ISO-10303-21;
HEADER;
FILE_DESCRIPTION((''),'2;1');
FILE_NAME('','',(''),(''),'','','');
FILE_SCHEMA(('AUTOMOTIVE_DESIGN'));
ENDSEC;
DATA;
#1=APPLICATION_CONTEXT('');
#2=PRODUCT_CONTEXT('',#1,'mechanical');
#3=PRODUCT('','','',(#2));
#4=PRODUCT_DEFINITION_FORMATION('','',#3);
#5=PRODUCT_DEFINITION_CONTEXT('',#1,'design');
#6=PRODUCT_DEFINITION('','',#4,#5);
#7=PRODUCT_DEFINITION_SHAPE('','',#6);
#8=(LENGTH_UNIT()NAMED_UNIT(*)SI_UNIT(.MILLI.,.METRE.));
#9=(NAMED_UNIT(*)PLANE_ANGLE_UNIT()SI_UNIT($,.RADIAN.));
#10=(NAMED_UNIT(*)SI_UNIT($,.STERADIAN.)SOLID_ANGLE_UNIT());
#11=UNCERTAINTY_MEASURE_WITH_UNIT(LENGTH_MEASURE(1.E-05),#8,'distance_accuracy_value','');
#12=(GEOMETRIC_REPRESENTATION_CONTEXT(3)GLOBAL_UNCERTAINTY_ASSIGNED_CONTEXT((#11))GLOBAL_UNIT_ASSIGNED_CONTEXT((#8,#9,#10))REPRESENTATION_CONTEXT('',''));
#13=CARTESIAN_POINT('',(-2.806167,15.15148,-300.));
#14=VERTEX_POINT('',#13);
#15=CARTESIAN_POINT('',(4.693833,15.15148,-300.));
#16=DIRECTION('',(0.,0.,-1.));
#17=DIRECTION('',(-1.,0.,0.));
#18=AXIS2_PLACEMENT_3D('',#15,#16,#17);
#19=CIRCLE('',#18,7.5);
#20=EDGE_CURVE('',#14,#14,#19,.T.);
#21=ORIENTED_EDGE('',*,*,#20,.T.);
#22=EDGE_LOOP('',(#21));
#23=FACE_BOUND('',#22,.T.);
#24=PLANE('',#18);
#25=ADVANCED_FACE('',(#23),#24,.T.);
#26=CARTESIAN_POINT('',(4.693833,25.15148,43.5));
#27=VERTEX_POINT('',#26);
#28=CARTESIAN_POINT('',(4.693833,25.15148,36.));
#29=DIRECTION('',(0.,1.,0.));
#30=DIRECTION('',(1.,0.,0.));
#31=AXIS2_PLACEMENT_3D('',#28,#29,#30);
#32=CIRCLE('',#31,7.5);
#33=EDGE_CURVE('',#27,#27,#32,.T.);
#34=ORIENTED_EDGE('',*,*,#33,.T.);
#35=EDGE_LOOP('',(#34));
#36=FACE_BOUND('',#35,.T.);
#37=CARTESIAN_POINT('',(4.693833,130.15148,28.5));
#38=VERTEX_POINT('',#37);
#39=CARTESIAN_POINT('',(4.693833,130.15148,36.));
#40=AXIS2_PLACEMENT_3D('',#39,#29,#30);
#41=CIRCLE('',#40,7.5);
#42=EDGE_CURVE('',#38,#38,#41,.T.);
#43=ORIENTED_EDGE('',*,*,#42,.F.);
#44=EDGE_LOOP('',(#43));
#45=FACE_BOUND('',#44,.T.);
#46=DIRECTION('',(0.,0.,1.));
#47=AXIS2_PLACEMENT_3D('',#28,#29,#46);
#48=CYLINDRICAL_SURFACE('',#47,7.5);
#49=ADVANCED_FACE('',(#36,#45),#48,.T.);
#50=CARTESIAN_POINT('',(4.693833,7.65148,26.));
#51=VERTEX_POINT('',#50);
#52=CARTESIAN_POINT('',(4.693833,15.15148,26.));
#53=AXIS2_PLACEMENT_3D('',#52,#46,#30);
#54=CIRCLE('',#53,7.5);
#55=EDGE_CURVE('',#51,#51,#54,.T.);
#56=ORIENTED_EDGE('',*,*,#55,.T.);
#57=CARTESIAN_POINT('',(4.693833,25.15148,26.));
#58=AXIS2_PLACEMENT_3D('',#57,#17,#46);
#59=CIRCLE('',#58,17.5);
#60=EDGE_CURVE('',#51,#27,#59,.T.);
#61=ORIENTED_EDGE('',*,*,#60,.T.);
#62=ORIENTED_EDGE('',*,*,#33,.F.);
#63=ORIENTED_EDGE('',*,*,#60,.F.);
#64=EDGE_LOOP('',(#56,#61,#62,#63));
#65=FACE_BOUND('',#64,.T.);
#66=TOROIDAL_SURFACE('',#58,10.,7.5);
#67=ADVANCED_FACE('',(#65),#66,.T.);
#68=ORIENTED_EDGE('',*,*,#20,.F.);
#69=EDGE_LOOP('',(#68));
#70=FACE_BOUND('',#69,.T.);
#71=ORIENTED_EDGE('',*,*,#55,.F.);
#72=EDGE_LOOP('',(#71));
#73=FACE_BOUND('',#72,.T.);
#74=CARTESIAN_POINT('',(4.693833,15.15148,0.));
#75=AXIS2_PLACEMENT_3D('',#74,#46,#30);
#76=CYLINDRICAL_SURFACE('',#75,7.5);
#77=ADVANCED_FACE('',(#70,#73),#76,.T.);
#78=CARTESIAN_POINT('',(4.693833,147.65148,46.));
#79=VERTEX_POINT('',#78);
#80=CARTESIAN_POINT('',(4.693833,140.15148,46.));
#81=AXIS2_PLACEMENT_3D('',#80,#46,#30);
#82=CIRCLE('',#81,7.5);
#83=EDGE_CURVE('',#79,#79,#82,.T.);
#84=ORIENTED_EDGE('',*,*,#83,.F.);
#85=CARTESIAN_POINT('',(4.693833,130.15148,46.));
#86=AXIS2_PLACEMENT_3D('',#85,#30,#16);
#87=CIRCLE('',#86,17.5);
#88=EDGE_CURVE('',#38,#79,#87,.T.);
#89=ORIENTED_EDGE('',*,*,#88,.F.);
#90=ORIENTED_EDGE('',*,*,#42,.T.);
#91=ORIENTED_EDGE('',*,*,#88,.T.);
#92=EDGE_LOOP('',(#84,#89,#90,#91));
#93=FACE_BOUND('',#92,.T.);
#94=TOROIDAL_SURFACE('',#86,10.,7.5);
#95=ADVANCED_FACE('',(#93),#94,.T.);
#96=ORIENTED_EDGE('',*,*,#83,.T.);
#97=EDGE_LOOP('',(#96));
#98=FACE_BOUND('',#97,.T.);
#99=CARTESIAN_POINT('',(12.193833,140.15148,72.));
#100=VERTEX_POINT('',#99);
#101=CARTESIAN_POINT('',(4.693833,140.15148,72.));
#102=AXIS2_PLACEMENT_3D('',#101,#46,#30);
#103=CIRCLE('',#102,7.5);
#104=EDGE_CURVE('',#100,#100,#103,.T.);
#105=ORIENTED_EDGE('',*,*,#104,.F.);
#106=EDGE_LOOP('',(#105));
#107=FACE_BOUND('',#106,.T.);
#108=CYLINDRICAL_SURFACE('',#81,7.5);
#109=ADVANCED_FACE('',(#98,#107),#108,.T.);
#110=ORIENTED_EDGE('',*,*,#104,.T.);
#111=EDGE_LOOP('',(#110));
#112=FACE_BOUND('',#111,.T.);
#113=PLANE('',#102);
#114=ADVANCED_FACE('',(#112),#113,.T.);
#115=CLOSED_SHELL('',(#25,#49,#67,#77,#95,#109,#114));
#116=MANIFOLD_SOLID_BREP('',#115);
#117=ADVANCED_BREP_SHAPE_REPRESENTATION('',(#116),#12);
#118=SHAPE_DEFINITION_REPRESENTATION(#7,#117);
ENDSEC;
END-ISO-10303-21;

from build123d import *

# Parameters (mm, degrees)
CROQUIS1_R              = 7.5
CROQUIS2_R              = 7.5
SALIENTE_EXTRUIR1_DEPTH = 300


with BuildPart() as part:
    # Barrer1: sweep along a curve in space
    with BuildLine() as barrer1_path:
        Line((4.693833182, 15.151479833, 0), (4.693833182, 15.151479833, 26))
        ThreePointArc((4.693833182, 15.151479833, 26), (4.693833182, 18.080412022, 33.071067812), (4.693833182, 25.151479833, 36))
        Line((4.693833182, 25.151479833, 36), (4.693833182, 130.151479833, 36))
        ThreePointArc((4.693833182, 130.151479833, 36), (4.693833182, 137.222547645, 38.928932188), (4.693833182, 140.151479833, 46))
        Line((4.693833182, 140.151479833, 46), (4.693833182, 140.151479833, 72))
    # Croquis1 → Barrer1 (sweep)
    with BuildSketch(Plane.XY):
        with Locations((4.693833182, 15.151479833)):
            Circle(CROQUIS1_R)
    sweep(path=barrer1_path.line)

    # Croquis2 → Saliente-Extruir1 (add)
    with BuildSketch(Plane(origin=(0, 0, 0), x_dir=(-1, 0, 0), z_dir=(0, 0, -1))):
        with Locations((-4.693833182, 15.151479833)):
            Circle(CROQUIS2_R)
    extrude(amount=SALIENTE_EXTRUIR1_DEPTH)


solid = part.part
